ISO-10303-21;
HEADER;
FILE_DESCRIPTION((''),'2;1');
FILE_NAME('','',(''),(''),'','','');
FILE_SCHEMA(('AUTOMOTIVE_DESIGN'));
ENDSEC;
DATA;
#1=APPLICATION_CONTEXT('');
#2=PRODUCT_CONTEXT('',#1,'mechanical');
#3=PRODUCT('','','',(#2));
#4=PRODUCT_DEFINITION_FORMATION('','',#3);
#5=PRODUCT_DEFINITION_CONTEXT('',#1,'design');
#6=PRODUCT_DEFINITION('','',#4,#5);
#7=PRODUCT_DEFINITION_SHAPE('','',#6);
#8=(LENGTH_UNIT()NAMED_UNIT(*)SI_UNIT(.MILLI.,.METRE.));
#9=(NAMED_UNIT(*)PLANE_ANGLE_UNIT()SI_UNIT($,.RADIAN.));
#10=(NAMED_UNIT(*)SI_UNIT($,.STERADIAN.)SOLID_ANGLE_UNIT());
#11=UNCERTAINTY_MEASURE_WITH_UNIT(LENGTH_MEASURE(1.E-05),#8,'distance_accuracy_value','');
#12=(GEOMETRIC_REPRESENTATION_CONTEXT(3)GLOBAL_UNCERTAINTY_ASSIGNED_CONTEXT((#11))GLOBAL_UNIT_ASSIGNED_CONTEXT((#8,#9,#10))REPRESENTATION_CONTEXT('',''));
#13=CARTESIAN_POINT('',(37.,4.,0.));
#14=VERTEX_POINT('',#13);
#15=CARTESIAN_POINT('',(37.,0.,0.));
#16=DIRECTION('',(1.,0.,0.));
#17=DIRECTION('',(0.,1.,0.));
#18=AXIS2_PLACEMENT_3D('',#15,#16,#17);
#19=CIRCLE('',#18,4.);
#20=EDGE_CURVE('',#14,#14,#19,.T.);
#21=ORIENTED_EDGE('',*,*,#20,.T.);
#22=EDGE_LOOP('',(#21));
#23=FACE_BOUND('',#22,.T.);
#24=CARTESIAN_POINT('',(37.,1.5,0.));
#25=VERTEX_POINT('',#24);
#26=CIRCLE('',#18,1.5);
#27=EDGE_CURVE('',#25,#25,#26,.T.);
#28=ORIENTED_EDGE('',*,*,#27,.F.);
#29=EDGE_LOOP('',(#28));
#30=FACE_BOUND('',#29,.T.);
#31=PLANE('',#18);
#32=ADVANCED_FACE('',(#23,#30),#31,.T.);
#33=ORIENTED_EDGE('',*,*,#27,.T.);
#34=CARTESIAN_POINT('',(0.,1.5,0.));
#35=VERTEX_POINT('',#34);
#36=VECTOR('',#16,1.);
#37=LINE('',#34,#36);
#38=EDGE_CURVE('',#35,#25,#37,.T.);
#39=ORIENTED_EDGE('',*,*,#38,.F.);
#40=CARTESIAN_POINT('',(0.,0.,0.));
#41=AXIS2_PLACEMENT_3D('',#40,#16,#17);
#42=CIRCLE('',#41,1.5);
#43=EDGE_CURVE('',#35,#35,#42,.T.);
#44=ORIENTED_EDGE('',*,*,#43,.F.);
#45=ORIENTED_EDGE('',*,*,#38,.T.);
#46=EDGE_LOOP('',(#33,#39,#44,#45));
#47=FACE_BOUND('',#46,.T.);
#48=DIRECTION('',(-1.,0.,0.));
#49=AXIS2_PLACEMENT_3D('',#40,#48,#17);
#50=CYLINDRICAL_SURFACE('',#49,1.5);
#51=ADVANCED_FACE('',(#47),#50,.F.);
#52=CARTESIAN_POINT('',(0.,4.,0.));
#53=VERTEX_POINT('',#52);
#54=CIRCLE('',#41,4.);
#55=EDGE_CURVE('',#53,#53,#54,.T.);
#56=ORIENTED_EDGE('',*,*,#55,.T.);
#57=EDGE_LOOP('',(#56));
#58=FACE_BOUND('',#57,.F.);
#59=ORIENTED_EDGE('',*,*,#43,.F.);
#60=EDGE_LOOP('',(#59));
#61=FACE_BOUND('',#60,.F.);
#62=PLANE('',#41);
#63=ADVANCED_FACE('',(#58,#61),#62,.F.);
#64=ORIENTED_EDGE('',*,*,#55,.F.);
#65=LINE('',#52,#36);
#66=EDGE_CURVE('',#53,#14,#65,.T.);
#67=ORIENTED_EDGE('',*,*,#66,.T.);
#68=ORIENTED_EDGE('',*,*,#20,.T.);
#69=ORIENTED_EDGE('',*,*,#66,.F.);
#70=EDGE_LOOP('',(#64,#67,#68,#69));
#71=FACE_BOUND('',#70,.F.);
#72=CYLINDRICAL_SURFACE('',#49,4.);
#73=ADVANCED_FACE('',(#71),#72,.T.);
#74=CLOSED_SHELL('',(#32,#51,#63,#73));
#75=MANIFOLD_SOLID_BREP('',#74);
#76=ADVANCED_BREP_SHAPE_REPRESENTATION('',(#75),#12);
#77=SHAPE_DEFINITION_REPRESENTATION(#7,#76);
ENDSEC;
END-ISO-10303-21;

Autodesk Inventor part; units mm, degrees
ref_plane "YZ Plane" through (0, 0, 0) normal (1, 0, 0) x (0, 1, 0)
ref_plane "XZ Plane" through (0, 0, 0) normal (0, 1, 0) x (-1, 0, 0)
ref_plane "XY Plane" through (0, 0, 0) normal (0, 0, 1) x (1, 0, 0)
sketch "スケッチ1" plane through (0, 0, 0) normal (1, 0, 0) x (0, 1, 0)
  circle A0 centre (0, 0) radius 4
  circle A1 centre (0, 0) radius 1.5
  dimension "d0" = 8
  dimension "d1" = 3
extrude "押し出し1" add sketch "スケッチ1" along normal blind 37
properties part number "odom_v1_shaft_1" material "アルミニウム 6061"
